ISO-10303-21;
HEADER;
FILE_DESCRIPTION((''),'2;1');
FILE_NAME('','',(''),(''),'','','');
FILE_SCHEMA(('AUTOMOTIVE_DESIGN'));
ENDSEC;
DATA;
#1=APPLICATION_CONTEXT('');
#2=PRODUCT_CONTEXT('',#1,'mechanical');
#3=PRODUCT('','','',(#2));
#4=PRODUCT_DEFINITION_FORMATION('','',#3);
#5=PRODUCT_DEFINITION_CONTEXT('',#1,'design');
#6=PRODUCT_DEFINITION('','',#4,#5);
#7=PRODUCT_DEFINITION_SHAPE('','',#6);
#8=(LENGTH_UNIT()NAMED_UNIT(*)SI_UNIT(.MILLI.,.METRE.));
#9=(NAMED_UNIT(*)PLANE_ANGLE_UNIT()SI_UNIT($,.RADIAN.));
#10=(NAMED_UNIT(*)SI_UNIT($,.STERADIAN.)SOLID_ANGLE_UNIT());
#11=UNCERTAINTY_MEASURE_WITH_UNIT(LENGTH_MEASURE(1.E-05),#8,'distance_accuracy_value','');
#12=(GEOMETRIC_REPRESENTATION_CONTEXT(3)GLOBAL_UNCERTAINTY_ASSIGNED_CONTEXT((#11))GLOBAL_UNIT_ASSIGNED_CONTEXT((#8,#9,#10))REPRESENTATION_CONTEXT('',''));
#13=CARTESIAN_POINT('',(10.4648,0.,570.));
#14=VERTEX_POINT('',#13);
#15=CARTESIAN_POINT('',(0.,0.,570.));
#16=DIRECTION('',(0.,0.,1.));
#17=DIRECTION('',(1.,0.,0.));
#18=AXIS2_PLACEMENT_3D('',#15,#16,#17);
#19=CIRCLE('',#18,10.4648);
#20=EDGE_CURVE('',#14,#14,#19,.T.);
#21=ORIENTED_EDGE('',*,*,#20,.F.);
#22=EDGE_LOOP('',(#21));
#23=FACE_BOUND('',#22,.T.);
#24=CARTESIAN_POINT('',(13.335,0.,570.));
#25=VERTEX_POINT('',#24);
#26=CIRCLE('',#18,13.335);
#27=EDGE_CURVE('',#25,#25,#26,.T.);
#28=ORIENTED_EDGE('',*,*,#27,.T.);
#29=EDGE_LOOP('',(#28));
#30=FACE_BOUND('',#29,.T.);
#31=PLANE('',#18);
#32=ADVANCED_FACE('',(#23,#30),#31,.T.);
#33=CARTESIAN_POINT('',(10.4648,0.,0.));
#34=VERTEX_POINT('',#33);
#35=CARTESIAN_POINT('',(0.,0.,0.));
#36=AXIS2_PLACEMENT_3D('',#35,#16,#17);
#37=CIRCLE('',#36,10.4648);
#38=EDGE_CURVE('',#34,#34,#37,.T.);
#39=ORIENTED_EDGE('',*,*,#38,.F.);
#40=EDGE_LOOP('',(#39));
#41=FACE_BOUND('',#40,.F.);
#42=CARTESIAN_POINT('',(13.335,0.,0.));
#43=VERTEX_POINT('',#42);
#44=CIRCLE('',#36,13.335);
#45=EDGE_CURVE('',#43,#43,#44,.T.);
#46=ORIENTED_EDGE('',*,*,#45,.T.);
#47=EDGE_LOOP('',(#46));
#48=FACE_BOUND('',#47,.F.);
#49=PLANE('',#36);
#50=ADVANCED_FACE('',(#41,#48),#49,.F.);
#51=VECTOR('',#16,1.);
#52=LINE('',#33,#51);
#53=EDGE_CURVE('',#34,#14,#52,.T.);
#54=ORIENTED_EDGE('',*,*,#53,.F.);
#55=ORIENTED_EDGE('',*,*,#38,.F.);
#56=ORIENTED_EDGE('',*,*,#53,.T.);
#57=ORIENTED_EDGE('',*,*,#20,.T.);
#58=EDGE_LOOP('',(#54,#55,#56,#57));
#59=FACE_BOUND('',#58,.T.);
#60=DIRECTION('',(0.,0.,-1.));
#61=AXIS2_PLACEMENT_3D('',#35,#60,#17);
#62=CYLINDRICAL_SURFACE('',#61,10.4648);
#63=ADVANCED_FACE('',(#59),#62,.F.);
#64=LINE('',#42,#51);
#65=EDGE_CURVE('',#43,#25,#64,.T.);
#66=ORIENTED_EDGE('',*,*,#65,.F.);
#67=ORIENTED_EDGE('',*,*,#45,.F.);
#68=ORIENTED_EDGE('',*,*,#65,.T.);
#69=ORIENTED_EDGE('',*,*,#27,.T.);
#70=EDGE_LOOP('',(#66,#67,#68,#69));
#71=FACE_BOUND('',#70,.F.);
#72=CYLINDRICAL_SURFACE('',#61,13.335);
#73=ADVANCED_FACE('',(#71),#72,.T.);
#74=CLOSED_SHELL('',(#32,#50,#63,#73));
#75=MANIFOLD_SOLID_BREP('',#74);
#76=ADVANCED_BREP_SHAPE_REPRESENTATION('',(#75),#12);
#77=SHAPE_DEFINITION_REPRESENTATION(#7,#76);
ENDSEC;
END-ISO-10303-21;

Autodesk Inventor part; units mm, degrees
ref_plane "YZ Plane" through (0, 0, 0) normal (1, 0, 0) x (0, 1, 0)
ref_plane "Plano inicial" through (0, 0, 0) normal (0, 0, 1) x (1, 0, 0)
ref_plane "Plano final" through (0, 0, 570) normal (0, 0, 1) x (1, 0, 0)
sketch "Boceto" plane through (0, 0, 0) normal (0, 0, 1) x (1, 0, 0)
  circle A0 centre (0, 0) radius 10.4648
  circle A1 centre (0, 0) radius 13.335
  dimension "d0" = 26.67
  dimension "d1" = 2.8702
extrude "Cuerpo" add sketch "Boceto" along normal up to surface (570 mm away) from surface at 0
sketch "Sketch3" plane through (0, 0, 0) normal (0, 0, 1) x (1, 0, 0)
  line L0 (0, 0) -> (10, 0)
ref_plane "Work Plane3" through (0, 0, 0) normal (0, -1, 0) x (1, 0, 0)
sketch "Sketch4" plane through (0, 0, 0) normal (0, -1, 0) x (1, 0, 0)
  line L0 (-2, 0) -> (12, 0)
  line L1 (-2, 570) -> (12, 570)
  dimension "d7" = 570
equation "\"d0\" = G_H"
equation "\"d1\" = G_T"
equation "\"d2\" = G_L"
equation "\"G_H\" = 26.67"
equation "\"G_T\" = 2.8702"
equation "\"G_L\" = d7"
equation "\"G_OFFSET_START\" = 0"
equation "\"G_OFFSET_END\" = 0"
properties part number "ANSI - 3/4 x 0.113 - 22,441" material "Acero, suave"
